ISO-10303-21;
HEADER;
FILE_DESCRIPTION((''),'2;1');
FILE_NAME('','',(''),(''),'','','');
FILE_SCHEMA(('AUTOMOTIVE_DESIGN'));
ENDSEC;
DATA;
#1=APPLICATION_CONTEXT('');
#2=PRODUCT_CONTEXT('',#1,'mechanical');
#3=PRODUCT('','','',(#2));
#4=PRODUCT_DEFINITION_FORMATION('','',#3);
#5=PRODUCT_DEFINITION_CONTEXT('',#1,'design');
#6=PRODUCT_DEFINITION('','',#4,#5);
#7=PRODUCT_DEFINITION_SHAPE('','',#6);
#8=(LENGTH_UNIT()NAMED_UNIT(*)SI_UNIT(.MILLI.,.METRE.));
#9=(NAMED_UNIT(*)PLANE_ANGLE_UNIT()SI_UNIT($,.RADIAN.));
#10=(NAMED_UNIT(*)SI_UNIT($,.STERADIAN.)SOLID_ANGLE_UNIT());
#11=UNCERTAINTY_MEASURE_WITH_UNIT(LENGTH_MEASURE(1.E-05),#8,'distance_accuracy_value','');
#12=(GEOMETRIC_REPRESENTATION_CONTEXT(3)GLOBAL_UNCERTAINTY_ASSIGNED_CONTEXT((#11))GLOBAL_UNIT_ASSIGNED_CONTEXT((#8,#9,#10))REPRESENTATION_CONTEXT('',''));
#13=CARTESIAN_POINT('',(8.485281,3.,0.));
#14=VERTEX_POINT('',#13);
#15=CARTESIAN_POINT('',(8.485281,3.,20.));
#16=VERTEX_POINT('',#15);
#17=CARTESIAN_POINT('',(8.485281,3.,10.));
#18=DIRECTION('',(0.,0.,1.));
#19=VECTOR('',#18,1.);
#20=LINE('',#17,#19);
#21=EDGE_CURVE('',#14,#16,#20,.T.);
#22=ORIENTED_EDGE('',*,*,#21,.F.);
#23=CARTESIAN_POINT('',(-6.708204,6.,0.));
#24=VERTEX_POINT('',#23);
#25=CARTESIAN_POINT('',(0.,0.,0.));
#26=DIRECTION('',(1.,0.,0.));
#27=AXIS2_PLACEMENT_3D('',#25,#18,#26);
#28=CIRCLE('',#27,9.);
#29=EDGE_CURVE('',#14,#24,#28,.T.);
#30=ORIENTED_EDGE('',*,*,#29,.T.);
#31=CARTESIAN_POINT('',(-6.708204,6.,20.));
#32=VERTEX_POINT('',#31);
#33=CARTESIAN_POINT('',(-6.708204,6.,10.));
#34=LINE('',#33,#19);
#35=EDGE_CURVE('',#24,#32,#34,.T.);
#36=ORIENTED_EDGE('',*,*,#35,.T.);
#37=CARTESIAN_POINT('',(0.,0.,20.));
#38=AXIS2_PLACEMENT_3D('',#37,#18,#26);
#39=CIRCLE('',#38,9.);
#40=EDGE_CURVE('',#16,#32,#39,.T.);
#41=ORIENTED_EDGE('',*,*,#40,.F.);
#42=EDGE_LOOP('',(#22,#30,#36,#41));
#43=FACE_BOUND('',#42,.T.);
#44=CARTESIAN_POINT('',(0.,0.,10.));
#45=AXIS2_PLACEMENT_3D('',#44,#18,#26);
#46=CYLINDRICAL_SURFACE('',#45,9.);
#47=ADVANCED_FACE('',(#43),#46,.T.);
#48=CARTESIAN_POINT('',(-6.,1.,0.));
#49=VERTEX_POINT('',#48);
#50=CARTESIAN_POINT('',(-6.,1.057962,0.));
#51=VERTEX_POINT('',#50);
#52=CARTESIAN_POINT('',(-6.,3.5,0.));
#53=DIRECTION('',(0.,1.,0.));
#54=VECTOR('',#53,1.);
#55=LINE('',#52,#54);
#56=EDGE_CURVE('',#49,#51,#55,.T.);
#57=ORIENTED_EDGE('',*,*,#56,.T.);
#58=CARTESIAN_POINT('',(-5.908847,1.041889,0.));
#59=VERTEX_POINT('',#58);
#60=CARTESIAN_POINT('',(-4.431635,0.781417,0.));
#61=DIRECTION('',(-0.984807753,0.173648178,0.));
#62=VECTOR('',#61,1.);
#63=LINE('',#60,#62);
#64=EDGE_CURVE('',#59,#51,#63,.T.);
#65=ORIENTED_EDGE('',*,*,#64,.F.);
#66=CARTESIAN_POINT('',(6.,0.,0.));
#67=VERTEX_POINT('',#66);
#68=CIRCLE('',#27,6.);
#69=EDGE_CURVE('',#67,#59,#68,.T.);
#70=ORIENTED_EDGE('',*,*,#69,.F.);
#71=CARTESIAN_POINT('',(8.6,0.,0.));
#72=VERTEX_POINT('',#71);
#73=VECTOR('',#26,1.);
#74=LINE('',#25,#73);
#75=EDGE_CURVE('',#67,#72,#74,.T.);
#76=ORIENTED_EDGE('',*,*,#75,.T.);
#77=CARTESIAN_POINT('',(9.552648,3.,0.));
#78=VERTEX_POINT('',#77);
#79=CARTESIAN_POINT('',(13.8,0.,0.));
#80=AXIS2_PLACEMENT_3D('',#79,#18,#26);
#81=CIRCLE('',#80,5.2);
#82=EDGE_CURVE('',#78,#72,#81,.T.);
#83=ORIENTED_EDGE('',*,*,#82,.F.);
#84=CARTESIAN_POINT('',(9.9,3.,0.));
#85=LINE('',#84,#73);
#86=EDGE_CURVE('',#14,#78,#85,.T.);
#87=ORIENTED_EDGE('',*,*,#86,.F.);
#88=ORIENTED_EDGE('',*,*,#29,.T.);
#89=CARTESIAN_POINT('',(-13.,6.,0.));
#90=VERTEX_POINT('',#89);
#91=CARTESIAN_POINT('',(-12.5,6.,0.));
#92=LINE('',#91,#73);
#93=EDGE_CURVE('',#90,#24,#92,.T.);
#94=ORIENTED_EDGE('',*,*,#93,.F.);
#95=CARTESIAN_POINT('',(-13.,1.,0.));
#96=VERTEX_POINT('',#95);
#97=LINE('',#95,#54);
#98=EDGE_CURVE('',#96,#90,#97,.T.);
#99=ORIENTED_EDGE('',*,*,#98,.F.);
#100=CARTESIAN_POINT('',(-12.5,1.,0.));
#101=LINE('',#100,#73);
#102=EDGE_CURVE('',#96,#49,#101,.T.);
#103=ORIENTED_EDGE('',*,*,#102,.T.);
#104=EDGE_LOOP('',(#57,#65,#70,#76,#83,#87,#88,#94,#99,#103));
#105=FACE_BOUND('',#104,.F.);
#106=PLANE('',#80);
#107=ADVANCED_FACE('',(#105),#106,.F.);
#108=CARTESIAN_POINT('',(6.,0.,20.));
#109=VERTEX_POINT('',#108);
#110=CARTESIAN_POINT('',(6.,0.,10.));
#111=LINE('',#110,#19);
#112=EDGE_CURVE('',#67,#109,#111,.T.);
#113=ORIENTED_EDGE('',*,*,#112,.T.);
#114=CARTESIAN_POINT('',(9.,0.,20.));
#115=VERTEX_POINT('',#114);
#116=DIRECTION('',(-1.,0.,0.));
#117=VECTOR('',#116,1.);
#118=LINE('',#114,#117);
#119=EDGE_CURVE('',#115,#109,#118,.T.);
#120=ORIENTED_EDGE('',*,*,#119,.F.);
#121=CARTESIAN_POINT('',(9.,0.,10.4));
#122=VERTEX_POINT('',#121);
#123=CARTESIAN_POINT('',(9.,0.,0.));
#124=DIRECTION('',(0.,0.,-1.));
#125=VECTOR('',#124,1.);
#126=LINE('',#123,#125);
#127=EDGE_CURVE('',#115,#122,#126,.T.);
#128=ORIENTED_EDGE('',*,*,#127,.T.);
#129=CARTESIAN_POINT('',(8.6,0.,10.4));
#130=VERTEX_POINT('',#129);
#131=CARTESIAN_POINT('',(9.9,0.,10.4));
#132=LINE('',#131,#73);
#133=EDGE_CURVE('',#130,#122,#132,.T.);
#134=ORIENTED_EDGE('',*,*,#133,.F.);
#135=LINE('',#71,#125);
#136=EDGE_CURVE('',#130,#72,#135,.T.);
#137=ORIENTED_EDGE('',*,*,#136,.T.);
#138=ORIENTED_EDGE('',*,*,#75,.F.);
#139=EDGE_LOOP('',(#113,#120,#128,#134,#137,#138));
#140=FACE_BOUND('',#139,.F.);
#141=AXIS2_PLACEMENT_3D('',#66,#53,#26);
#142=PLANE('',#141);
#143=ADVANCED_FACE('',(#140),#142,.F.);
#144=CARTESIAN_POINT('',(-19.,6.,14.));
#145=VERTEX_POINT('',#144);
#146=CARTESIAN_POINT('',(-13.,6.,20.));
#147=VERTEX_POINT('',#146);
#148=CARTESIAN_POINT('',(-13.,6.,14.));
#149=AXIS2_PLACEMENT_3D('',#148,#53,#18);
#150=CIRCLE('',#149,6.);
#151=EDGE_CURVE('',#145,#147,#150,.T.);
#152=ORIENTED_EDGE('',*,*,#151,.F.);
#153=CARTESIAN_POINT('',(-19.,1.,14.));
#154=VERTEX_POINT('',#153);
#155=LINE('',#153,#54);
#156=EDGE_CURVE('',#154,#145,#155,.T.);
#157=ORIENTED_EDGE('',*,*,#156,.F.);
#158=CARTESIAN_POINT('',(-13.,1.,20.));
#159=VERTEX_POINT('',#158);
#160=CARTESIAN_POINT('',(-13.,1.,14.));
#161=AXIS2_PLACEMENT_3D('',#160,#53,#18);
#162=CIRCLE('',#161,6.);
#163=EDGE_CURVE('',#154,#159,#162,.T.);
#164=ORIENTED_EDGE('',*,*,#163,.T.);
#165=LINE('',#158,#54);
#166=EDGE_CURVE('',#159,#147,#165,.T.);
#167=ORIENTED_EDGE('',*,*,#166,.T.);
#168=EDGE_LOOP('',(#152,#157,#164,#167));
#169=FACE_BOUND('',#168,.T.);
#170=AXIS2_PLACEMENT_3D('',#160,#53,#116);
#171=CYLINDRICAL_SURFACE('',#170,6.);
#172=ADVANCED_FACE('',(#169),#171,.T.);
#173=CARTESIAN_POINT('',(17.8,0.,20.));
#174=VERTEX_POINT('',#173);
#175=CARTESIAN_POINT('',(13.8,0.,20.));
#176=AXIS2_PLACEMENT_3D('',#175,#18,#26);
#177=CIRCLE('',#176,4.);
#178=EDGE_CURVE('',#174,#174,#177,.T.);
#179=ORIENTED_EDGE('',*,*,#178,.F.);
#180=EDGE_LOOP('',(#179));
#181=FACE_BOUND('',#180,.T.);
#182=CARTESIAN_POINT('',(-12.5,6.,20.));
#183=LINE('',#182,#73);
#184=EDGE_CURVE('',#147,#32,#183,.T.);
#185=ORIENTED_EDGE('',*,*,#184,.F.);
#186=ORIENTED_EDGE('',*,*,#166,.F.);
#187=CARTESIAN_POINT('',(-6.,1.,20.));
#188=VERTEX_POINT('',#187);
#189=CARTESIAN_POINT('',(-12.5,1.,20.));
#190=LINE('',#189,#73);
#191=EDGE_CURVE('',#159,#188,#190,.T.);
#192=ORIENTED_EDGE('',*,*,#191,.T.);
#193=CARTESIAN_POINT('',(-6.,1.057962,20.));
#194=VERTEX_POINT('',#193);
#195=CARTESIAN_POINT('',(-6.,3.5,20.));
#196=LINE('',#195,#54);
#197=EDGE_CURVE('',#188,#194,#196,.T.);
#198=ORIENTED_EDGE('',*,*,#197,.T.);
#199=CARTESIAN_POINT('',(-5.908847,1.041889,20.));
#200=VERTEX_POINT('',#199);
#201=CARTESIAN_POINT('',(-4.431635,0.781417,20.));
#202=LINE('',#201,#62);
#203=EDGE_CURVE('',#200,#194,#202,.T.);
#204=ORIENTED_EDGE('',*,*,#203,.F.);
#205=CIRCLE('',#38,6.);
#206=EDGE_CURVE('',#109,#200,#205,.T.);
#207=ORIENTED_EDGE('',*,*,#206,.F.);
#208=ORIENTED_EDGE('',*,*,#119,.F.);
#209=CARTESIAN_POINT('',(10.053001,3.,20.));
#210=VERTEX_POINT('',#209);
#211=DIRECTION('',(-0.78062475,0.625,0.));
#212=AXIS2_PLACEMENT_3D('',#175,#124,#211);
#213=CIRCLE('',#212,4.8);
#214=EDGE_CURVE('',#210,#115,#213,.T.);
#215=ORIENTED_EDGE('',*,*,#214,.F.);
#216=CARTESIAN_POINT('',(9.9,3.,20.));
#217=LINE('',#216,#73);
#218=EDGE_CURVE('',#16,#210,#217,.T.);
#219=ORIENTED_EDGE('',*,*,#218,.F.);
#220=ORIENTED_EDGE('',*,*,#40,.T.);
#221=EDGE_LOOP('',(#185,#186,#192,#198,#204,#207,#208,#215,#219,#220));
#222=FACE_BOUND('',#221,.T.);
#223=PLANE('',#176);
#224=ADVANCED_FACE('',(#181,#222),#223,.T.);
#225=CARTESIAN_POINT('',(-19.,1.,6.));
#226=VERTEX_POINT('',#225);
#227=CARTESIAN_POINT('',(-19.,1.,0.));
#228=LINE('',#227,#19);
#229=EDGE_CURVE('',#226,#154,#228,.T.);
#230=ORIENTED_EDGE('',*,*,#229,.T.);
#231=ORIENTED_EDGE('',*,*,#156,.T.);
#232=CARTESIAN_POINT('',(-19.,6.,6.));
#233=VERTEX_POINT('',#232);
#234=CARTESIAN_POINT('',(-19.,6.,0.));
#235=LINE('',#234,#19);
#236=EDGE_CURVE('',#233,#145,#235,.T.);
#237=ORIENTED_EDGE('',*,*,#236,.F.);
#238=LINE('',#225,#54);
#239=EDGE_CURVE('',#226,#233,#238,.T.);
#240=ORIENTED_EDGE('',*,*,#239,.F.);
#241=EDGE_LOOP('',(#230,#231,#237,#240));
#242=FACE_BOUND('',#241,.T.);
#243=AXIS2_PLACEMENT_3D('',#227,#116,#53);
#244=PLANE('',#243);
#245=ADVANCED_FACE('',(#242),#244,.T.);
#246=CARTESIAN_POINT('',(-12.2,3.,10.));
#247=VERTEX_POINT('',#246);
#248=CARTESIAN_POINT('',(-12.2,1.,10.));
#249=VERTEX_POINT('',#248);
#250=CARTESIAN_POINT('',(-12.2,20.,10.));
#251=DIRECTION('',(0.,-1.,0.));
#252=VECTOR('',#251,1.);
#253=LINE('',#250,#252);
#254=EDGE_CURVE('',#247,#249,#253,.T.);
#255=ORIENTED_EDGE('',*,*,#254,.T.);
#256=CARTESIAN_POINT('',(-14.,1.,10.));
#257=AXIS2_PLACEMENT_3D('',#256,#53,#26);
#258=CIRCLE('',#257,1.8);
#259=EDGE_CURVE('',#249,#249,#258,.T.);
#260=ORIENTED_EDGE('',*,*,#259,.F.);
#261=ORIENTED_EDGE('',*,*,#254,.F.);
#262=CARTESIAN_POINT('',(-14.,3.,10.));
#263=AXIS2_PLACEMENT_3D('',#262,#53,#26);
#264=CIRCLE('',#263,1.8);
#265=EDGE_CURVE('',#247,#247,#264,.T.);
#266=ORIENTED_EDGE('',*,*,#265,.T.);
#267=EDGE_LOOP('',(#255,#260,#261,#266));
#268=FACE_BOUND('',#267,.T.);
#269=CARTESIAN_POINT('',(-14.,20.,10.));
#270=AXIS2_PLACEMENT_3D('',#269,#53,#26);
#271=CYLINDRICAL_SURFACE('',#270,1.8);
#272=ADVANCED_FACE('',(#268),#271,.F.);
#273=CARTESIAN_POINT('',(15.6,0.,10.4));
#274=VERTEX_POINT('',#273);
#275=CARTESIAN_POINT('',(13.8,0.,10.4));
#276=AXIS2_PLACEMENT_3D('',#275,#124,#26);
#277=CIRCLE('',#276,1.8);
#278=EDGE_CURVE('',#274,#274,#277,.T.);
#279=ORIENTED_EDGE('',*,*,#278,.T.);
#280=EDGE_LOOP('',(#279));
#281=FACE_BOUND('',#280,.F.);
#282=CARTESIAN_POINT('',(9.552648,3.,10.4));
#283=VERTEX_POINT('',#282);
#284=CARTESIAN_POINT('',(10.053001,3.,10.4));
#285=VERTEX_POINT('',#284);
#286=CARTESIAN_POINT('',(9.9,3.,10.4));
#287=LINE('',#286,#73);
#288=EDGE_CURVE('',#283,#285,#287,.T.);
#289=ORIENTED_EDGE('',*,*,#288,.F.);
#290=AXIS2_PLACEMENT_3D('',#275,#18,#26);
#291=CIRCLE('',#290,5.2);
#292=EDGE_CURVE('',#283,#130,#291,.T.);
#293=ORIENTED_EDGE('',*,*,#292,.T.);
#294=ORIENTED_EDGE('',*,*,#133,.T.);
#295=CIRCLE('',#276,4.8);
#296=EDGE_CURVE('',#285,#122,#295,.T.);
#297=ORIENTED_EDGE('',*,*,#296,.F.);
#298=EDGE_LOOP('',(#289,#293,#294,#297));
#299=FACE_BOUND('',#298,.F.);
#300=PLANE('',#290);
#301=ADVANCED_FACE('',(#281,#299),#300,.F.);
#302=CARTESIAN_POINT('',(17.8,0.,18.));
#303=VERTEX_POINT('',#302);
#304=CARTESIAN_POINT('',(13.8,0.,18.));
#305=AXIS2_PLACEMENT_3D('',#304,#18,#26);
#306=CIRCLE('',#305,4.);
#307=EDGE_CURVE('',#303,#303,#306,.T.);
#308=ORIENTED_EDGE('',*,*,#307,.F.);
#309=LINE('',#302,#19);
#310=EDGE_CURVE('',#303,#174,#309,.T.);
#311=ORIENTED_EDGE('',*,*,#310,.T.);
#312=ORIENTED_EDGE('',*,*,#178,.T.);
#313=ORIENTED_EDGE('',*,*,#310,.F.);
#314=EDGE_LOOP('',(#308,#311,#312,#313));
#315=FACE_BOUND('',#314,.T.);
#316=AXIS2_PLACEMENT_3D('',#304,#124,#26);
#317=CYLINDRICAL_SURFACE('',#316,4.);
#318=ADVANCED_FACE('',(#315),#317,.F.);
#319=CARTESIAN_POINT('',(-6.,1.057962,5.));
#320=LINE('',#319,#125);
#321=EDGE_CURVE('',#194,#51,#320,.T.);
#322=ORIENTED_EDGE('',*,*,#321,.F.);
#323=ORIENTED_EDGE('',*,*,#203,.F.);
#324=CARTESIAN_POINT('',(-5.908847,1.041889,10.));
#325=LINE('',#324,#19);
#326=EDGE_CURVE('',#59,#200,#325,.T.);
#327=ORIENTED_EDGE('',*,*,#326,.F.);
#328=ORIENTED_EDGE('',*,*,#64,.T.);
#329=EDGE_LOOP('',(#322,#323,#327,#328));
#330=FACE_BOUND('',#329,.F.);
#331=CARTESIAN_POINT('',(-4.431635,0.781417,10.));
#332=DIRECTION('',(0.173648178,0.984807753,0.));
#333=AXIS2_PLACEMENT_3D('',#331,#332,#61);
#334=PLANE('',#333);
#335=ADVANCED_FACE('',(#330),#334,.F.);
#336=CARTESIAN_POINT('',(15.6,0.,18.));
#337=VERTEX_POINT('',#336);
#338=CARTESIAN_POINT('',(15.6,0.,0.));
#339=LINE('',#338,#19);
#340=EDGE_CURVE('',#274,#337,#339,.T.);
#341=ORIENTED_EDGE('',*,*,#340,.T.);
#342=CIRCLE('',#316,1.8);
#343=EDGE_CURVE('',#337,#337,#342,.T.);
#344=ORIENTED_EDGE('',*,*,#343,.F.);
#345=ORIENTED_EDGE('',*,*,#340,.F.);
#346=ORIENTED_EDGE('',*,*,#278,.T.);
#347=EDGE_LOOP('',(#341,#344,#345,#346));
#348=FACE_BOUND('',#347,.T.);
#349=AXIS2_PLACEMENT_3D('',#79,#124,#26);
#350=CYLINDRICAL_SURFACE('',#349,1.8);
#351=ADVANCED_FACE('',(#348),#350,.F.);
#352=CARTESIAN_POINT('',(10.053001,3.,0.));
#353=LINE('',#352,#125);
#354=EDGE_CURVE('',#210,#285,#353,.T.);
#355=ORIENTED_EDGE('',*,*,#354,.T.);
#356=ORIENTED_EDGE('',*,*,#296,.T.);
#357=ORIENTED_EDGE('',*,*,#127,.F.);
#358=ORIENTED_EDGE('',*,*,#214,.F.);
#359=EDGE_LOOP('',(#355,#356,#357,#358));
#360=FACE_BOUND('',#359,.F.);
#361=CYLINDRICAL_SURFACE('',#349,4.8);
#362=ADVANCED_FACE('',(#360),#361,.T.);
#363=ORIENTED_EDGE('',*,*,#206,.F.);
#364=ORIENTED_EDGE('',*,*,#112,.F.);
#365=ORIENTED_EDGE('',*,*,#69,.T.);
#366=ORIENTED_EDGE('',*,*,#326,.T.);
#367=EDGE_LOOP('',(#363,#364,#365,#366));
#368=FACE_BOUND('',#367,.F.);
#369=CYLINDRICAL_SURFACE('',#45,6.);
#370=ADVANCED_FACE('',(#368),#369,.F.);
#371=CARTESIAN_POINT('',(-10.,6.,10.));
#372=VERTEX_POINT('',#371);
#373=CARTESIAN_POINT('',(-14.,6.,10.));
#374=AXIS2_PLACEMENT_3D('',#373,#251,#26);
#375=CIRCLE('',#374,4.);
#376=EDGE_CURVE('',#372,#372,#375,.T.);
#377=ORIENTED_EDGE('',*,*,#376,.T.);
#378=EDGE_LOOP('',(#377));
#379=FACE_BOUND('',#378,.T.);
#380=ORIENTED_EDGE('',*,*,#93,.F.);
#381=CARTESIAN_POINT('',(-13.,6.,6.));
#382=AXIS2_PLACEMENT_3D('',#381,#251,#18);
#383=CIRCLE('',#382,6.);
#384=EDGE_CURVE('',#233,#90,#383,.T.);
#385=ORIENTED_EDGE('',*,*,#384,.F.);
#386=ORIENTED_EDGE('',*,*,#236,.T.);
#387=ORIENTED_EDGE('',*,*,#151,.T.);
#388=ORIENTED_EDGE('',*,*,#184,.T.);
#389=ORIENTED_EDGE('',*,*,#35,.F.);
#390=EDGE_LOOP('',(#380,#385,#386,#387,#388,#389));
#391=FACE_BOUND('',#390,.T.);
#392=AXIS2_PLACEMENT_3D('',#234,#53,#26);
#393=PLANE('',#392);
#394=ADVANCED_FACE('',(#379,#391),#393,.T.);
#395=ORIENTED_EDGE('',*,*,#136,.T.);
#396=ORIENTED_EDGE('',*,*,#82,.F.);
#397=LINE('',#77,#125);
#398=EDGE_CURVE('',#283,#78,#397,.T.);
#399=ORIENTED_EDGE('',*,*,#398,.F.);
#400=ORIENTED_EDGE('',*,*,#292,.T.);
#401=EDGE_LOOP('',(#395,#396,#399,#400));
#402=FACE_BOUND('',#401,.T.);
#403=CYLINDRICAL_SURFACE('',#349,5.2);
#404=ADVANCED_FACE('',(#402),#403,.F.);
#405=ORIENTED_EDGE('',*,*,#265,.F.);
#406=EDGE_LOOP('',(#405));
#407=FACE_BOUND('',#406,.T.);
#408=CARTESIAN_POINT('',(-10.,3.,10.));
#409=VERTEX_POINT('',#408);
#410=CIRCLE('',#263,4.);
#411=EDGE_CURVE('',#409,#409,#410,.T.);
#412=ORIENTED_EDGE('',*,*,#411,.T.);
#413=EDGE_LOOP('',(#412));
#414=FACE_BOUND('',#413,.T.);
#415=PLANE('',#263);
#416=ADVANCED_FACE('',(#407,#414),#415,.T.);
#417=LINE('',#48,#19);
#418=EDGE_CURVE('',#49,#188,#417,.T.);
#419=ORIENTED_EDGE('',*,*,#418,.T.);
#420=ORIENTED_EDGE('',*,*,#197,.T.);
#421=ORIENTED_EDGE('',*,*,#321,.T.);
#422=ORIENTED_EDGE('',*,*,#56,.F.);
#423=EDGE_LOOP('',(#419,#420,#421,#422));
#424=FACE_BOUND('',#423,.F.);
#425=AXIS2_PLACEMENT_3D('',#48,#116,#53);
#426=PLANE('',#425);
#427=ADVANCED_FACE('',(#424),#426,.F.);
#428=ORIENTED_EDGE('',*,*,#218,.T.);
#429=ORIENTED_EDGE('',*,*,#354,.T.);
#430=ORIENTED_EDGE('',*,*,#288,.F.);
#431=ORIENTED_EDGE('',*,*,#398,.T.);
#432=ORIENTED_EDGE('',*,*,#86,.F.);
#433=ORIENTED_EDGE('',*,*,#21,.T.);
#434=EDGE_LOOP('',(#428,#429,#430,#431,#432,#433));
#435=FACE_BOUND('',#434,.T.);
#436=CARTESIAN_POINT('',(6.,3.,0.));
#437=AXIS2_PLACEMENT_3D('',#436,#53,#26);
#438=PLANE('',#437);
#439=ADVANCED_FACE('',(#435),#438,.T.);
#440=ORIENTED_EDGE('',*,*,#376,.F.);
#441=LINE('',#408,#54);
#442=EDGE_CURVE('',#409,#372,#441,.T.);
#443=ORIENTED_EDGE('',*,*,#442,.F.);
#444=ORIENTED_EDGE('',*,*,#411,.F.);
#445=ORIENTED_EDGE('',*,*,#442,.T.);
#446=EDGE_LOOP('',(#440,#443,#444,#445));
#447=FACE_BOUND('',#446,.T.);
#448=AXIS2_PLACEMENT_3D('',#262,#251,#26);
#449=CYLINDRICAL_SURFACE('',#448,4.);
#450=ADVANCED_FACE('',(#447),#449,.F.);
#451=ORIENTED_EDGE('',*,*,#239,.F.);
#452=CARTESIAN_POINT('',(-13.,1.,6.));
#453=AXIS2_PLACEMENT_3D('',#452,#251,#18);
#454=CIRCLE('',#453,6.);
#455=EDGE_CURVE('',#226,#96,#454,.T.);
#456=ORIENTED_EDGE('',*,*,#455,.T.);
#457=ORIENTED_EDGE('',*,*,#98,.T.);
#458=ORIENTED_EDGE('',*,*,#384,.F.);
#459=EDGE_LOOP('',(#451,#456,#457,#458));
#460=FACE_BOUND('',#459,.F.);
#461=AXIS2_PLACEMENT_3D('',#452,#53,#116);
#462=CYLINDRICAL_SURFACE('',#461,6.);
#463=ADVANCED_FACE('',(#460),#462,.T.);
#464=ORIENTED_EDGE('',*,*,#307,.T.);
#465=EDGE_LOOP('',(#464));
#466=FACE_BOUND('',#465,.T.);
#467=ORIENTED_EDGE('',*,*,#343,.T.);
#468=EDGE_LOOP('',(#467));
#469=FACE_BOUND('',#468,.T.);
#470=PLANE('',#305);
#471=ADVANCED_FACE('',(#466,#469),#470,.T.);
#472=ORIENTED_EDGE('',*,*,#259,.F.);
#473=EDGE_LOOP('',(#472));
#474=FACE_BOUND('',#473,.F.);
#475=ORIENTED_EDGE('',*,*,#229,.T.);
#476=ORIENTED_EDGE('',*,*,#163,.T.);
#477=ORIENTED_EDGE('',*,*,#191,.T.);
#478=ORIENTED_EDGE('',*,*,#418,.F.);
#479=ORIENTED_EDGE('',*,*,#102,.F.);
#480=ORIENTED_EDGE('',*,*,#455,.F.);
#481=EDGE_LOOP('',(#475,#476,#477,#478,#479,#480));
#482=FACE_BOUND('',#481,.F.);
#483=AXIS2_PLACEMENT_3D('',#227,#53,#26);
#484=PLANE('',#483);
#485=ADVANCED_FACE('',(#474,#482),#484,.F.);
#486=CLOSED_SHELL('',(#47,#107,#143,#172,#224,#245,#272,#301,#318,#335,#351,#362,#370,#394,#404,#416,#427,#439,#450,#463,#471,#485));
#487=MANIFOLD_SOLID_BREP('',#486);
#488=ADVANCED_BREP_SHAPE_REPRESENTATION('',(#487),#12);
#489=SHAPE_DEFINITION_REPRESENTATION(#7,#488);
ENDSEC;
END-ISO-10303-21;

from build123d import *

# Parameters (mm, degrees)
CYLINDER095_R     = 4
CYLINDER095_DEPTH = 20
CYLINDER096_R     = 4
CYLINDER096_DEPTH = 2
CYLINDER005_R     = 5.2
CYLINDER005_DEPTH = 10.4
CYLINDER003_R     = 1.8
CYLINDER003_DEPTH = 50
CYLINDER001_W     = 6
CYLINDER001_H     = 20
CYLINDER001_ANGLE = 180
CYLINDER004_R     = 1.8
CYLINDER004_DEPTH = 20
BOX_W             = 13
BOX_H             = 5
BOX_DEPTH         = 20
FILLET_R          = 6
CYLINDER002_R     = 4.8
CYLINDER002_DEPTH = 20
CYLINDER_W        = 9
CYLINDER_H        = 20
CYLINDER_ANGLE    = 170
BOX001_W          = 7.8
BOX001_H          = 3
BOX001_DEPTH      = 20


with BuildPart() as bolt_head_cylinder:
    # Cylinder095 → Cylinder095 (new body)
    with BuildSketch(Plane(origin=(-14, 3, 10), x_dir=(1, 0, 0), z_dir=(0, 1, 0))):
        Circle(CYLINDER095_R)
    extrude(amount=CYLINDER095_DEPTH)


with BuildPart() as bolt_head_side_cylinder:
    # Cylinder096 → Cylinder096 (new body)
    with BuildSketch(Plane(origin=(13.8, 0, 18), x_dir=(1, 0, 0), z_dir=(0, 0, 1))):
        Circle(CYLINDER096_R)
    extrude(amount=CYLINDER096_DEPTH)


with BuildPart() as top_half_remove_fusion:
    # Cylinder005 → Cylinder005 (new body)
    with BuildSketch(Plane(origin=(13.8, 0, 0), x_dir=(1, 0, 0), z_dir=(0, 0, 1))):
        Circle(CYLINDER005_R)
    extrude(amount=CYLINDER005_DEPTH)

    # Fusion002: union bolt head cylinder, bolt head side cylinder
    add(bolt_head_cylinder.part)
    add(bolt_head_side_cylinder.part)


with BuildPart() as bolt_hole:
    # Cylinder003 → Cylinder003 (new body)
    with BuildSketch(Plane(origin=(-14, 20, 10), x_dir=(1, 0, 0), z_dir=(0, -1, 0))):
        Circle(CYLINDER003_R)
    extrude(amount=CYLINDER003_DEPTH)


with BuildPart() as hole_cylinder:
    # Cylinder001 → Cylinder001 (revolve)
    with BuildSketch(Plane.XZ):
        with Locations((3, 10)):
            Rectangle(CYLINDER001_W, CYLINDER001_H)
    revolve(axis=Axis((0, 0, 0), (0, 0, 1)), revolution_arc=CYLINDER001_ANGLE)


with BuildPart() as hole_fusion:
    # Cylinder004 → Cylinder004 (new body)
    with BuildSketch(Plane(origin=(13.8, 0, 0), x_dir=(1, 0, 0), z_dir=(0, 0, 1))):
        Circle(CYLINDER004_R)
    extrude(amount=CYLINDER004_DEPTH)

    # Fusion: union bolt hole, hole cylinder
    add(bolt_hole.part)
    add(hole_cylinder.part)


with BuildPart() as petal_fillet:
    # Box → Box (new body)
    with BuildSketch(Plane(origin=(-19, 1, 0), x_dir=(1, 0, 0), z_dir=(0, 0, 1))):
        with Locations((6.5, 2.5)):
            Rectangle(BOX_W, BOX_H)
    extrude(amount=BOX_DEPTH)

    # Fillet
    fillet_edges = [petal_fillet.edges().sort_by_distance(p)[0] for p in [
        (-19, 3.5, 20),
        (-19, 3.5, 0),
    ]]
    fillet(fillet_edges, radius=FILLET_R)


with BuildPart() as side_cylinder:
    # Cylinder002 → Cylinder002 (new body)
    with BuildSketch(Plane(origin=(13.8, 0, 0), x_dir=(1, 0, 0), z_dir=(0, 0, 1))):
        Circle(CYLINDER002_R)
    extrude(amount=CYLINDER002_DEPTH)


with BuildPart() as external_cylinder:
    # Cylinder → Cylinder (revolve)
    with BuildSketch(Plane.XZ):
        with Locations((4.5, 10)):
            Rectangle(CYLINDER_W, CYLINDER_H)
    revolve(axis=Axis((0, 0, 0), (0, 0, 1)), revolution_arc=CYLINDER_ANGLE)


with BuildPart() as top_half_clone:
    # Box001 → Box001 (new body)
    with BuildSketch(Plane(origin=(6, 0, 0), x_dir=(1, 0, 0), z_dir=(0, 0, 1))):
        with Locations((3.9, 1.5)):
            Rectangle(BOX001_W, BOX001_H)
    extrude(amount=BOX001_DEPTH)

    # Fusion001: union petal fillet, side cylinder, external cylinder
    add(petal_fillet.part)
    add(side_cylinder.part)
    add(external_cylinder.part)

    # Cut: cut hole fusion
    add(hole_fusion.part, mode=Mode.SUBTRACT)

    # Cut001: cut top half remove fusion
    add(top_half_remove_fusion.part, mode=Mode.SUBTRACT)


solid = top_half_clone.part
